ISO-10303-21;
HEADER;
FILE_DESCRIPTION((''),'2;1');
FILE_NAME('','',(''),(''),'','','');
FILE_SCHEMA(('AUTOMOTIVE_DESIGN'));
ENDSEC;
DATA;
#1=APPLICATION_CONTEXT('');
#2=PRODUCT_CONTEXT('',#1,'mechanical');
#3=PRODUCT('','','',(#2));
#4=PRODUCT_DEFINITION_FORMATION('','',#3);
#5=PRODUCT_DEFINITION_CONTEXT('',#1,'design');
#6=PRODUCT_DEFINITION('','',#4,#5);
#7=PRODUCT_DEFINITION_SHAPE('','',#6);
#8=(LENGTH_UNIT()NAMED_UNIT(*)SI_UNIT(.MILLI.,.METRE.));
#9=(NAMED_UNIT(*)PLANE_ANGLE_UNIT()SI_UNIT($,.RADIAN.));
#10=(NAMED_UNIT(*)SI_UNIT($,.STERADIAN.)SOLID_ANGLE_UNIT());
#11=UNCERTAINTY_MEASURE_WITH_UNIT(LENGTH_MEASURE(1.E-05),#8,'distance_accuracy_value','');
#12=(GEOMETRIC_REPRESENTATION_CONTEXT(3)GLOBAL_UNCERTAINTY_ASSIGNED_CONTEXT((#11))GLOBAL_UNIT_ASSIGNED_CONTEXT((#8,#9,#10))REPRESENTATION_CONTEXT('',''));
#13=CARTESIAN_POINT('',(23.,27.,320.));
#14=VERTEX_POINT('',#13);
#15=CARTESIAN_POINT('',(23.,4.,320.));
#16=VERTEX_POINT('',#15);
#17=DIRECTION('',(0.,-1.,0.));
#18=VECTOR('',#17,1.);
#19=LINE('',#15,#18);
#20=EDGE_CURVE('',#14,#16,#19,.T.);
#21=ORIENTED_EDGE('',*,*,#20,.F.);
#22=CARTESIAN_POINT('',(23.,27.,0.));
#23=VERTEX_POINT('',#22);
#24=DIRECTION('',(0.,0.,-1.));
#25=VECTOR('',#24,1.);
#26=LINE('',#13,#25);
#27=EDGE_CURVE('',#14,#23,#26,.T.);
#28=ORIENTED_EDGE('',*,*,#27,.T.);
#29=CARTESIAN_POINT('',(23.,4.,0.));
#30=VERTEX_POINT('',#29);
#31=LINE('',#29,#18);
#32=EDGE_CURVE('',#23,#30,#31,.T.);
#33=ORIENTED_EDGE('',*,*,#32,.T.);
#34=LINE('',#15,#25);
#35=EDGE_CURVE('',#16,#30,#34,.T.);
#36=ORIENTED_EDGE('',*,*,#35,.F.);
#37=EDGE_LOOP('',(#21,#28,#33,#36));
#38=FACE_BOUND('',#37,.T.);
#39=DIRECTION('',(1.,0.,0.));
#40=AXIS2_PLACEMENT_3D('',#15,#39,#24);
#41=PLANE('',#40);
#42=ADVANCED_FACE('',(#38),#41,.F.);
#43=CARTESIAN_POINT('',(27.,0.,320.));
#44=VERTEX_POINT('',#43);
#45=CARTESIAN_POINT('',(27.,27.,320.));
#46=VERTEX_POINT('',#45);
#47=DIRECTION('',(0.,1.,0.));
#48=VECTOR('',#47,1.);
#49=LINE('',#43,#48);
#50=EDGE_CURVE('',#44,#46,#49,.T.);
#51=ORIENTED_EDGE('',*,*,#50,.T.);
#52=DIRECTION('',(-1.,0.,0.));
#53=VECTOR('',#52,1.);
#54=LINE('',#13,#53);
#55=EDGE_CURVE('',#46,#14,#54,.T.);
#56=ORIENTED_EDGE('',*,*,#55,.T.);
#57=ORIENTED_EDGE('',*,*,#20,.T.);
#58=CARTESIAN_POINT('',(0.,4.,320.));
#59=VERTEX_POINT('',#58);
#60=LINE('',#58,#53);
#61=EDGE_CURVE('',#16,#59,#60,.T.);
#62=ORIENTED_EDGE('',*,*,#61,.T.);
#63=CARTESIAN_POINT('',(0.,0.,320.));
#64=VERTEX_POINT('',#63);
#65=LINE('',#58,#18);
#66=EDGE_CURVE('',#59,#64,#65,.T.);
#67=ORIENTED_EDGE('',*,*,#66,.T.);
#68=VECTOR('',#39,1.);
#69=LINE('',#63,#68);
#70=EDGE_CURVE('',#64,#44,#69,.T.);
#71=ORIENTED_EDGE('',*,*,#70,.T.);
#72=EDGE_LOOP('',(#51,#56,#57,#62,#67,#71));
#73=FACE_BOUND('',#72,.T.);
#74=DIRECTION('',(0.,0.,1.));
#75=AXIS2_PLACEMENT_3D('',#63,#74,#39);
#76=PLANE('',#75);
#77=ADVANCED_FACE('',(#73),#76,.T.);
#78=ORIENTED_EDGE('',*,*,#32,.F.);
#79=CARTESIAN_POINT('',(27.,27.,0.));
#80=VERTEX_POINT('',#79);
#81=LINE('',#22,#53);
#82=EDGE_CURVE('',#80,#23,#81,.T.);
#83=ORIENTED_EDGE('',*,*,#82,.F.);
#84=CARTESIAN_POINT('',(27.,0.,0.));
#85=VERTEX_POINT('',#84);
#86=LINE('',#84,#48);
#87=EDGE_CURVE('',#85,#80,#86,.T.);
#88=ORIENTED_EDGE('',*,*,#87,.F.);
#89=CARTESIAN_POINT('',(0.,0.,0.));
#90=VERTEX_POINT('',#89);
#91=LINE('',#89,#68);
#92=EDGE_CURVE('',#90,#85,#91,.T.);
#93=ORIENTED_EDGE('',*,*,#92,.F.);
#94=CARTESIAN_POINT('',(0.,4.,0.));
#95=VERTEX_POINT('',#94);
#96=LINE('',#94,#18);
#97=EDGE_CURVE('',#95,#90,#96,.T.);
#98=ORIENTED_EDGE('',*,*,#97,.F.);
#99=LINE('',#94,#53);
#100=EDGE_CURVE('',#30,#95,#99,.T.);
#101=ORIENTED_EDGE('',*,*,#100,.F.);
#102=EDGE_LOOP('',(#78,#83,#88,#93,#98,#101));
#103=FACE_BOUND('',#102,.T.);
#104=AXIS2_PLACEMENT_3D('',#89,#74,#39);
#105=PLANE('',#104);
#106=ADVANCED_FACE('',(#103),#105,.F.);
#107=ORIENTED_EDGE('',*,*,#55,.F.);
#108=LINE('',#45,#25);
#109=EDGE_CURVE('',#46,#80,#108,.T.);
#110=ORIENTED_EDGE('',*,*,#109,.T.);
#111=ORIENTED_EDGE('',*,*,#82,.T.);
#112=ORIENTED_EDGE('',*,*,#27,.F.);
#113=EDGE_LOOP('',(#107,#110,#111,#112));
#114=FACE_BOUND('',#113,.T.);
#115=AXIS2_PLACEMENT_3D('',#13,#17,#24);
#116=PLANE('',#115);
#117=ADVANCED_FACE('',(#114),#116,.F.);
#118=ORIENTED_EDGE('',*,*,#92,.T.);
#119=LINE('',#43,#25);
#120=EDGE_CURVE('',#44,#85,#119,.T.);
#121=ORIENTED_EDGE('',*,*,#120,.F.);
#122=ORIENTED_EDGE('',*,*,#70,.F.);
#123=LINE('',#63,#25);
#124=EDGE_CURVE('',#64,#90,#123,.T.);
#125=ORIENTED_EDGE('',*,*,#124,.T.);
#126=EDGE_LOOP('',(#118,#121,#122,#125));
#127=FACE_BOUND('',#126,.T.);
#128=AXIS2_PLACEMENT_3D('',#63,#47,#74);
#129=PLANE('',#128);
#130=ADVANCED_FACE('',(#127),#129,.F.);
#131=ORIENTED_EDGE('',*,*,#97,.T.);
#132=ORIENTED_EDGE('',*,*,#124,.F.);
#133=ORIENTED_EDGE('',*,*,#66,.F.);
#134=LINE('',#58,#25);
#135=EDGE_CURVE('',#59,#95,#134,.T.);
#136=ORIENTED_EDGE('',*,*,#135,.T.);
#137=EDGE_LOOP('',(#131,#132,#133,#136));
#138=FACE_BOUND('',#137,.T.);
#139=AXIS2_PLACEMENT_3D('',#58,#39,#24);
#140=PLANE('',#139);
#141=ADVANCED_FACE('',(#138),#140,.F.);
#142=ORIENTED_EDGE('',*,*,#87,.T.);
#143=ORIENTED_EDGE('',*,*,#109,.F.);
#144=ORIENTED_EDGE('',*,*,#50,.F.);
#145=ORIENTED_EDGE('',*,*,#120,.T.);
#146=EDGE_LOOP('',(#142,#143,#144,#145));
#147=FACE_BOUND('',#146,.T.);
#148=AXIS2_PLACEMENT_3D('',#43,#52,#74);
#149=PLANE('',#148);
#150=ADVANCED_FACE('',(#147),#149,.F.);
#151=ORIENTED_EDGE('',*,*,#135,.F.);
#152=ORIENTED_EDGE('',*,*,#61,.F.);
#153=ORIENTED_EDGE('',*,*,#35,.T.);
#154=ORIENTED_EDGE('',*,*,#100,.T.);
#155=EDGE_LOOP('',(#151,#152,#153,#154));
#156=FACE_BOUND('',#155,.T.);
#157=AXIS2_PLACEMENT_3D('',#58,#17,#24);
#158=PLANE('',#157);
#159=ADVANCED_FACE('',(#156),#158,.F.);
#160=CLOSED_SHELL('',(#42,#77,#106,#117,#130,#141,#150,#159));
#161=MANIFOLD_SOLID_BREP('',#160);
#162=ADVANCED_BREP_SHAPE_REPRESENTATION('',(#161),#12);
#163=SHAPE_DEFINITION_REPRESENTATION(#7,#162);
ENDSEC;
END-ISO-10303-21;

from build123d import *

# Parameters (mm, degrees)
BOSS_EXTRUDE1_DEPTH = 320


with BuildPart() as part:
    # Sketch1 → Boss-Extrude1 (new body)
    with BuildSketch(Plane.XY):
        Polygon((0, 0), (27, 0), (27, 27), (23, 27), (23, 4), (0, 4), align=None)
    extrude(amount=BOSS_EXTRUDE1_DEPTH)


solid = part.part
